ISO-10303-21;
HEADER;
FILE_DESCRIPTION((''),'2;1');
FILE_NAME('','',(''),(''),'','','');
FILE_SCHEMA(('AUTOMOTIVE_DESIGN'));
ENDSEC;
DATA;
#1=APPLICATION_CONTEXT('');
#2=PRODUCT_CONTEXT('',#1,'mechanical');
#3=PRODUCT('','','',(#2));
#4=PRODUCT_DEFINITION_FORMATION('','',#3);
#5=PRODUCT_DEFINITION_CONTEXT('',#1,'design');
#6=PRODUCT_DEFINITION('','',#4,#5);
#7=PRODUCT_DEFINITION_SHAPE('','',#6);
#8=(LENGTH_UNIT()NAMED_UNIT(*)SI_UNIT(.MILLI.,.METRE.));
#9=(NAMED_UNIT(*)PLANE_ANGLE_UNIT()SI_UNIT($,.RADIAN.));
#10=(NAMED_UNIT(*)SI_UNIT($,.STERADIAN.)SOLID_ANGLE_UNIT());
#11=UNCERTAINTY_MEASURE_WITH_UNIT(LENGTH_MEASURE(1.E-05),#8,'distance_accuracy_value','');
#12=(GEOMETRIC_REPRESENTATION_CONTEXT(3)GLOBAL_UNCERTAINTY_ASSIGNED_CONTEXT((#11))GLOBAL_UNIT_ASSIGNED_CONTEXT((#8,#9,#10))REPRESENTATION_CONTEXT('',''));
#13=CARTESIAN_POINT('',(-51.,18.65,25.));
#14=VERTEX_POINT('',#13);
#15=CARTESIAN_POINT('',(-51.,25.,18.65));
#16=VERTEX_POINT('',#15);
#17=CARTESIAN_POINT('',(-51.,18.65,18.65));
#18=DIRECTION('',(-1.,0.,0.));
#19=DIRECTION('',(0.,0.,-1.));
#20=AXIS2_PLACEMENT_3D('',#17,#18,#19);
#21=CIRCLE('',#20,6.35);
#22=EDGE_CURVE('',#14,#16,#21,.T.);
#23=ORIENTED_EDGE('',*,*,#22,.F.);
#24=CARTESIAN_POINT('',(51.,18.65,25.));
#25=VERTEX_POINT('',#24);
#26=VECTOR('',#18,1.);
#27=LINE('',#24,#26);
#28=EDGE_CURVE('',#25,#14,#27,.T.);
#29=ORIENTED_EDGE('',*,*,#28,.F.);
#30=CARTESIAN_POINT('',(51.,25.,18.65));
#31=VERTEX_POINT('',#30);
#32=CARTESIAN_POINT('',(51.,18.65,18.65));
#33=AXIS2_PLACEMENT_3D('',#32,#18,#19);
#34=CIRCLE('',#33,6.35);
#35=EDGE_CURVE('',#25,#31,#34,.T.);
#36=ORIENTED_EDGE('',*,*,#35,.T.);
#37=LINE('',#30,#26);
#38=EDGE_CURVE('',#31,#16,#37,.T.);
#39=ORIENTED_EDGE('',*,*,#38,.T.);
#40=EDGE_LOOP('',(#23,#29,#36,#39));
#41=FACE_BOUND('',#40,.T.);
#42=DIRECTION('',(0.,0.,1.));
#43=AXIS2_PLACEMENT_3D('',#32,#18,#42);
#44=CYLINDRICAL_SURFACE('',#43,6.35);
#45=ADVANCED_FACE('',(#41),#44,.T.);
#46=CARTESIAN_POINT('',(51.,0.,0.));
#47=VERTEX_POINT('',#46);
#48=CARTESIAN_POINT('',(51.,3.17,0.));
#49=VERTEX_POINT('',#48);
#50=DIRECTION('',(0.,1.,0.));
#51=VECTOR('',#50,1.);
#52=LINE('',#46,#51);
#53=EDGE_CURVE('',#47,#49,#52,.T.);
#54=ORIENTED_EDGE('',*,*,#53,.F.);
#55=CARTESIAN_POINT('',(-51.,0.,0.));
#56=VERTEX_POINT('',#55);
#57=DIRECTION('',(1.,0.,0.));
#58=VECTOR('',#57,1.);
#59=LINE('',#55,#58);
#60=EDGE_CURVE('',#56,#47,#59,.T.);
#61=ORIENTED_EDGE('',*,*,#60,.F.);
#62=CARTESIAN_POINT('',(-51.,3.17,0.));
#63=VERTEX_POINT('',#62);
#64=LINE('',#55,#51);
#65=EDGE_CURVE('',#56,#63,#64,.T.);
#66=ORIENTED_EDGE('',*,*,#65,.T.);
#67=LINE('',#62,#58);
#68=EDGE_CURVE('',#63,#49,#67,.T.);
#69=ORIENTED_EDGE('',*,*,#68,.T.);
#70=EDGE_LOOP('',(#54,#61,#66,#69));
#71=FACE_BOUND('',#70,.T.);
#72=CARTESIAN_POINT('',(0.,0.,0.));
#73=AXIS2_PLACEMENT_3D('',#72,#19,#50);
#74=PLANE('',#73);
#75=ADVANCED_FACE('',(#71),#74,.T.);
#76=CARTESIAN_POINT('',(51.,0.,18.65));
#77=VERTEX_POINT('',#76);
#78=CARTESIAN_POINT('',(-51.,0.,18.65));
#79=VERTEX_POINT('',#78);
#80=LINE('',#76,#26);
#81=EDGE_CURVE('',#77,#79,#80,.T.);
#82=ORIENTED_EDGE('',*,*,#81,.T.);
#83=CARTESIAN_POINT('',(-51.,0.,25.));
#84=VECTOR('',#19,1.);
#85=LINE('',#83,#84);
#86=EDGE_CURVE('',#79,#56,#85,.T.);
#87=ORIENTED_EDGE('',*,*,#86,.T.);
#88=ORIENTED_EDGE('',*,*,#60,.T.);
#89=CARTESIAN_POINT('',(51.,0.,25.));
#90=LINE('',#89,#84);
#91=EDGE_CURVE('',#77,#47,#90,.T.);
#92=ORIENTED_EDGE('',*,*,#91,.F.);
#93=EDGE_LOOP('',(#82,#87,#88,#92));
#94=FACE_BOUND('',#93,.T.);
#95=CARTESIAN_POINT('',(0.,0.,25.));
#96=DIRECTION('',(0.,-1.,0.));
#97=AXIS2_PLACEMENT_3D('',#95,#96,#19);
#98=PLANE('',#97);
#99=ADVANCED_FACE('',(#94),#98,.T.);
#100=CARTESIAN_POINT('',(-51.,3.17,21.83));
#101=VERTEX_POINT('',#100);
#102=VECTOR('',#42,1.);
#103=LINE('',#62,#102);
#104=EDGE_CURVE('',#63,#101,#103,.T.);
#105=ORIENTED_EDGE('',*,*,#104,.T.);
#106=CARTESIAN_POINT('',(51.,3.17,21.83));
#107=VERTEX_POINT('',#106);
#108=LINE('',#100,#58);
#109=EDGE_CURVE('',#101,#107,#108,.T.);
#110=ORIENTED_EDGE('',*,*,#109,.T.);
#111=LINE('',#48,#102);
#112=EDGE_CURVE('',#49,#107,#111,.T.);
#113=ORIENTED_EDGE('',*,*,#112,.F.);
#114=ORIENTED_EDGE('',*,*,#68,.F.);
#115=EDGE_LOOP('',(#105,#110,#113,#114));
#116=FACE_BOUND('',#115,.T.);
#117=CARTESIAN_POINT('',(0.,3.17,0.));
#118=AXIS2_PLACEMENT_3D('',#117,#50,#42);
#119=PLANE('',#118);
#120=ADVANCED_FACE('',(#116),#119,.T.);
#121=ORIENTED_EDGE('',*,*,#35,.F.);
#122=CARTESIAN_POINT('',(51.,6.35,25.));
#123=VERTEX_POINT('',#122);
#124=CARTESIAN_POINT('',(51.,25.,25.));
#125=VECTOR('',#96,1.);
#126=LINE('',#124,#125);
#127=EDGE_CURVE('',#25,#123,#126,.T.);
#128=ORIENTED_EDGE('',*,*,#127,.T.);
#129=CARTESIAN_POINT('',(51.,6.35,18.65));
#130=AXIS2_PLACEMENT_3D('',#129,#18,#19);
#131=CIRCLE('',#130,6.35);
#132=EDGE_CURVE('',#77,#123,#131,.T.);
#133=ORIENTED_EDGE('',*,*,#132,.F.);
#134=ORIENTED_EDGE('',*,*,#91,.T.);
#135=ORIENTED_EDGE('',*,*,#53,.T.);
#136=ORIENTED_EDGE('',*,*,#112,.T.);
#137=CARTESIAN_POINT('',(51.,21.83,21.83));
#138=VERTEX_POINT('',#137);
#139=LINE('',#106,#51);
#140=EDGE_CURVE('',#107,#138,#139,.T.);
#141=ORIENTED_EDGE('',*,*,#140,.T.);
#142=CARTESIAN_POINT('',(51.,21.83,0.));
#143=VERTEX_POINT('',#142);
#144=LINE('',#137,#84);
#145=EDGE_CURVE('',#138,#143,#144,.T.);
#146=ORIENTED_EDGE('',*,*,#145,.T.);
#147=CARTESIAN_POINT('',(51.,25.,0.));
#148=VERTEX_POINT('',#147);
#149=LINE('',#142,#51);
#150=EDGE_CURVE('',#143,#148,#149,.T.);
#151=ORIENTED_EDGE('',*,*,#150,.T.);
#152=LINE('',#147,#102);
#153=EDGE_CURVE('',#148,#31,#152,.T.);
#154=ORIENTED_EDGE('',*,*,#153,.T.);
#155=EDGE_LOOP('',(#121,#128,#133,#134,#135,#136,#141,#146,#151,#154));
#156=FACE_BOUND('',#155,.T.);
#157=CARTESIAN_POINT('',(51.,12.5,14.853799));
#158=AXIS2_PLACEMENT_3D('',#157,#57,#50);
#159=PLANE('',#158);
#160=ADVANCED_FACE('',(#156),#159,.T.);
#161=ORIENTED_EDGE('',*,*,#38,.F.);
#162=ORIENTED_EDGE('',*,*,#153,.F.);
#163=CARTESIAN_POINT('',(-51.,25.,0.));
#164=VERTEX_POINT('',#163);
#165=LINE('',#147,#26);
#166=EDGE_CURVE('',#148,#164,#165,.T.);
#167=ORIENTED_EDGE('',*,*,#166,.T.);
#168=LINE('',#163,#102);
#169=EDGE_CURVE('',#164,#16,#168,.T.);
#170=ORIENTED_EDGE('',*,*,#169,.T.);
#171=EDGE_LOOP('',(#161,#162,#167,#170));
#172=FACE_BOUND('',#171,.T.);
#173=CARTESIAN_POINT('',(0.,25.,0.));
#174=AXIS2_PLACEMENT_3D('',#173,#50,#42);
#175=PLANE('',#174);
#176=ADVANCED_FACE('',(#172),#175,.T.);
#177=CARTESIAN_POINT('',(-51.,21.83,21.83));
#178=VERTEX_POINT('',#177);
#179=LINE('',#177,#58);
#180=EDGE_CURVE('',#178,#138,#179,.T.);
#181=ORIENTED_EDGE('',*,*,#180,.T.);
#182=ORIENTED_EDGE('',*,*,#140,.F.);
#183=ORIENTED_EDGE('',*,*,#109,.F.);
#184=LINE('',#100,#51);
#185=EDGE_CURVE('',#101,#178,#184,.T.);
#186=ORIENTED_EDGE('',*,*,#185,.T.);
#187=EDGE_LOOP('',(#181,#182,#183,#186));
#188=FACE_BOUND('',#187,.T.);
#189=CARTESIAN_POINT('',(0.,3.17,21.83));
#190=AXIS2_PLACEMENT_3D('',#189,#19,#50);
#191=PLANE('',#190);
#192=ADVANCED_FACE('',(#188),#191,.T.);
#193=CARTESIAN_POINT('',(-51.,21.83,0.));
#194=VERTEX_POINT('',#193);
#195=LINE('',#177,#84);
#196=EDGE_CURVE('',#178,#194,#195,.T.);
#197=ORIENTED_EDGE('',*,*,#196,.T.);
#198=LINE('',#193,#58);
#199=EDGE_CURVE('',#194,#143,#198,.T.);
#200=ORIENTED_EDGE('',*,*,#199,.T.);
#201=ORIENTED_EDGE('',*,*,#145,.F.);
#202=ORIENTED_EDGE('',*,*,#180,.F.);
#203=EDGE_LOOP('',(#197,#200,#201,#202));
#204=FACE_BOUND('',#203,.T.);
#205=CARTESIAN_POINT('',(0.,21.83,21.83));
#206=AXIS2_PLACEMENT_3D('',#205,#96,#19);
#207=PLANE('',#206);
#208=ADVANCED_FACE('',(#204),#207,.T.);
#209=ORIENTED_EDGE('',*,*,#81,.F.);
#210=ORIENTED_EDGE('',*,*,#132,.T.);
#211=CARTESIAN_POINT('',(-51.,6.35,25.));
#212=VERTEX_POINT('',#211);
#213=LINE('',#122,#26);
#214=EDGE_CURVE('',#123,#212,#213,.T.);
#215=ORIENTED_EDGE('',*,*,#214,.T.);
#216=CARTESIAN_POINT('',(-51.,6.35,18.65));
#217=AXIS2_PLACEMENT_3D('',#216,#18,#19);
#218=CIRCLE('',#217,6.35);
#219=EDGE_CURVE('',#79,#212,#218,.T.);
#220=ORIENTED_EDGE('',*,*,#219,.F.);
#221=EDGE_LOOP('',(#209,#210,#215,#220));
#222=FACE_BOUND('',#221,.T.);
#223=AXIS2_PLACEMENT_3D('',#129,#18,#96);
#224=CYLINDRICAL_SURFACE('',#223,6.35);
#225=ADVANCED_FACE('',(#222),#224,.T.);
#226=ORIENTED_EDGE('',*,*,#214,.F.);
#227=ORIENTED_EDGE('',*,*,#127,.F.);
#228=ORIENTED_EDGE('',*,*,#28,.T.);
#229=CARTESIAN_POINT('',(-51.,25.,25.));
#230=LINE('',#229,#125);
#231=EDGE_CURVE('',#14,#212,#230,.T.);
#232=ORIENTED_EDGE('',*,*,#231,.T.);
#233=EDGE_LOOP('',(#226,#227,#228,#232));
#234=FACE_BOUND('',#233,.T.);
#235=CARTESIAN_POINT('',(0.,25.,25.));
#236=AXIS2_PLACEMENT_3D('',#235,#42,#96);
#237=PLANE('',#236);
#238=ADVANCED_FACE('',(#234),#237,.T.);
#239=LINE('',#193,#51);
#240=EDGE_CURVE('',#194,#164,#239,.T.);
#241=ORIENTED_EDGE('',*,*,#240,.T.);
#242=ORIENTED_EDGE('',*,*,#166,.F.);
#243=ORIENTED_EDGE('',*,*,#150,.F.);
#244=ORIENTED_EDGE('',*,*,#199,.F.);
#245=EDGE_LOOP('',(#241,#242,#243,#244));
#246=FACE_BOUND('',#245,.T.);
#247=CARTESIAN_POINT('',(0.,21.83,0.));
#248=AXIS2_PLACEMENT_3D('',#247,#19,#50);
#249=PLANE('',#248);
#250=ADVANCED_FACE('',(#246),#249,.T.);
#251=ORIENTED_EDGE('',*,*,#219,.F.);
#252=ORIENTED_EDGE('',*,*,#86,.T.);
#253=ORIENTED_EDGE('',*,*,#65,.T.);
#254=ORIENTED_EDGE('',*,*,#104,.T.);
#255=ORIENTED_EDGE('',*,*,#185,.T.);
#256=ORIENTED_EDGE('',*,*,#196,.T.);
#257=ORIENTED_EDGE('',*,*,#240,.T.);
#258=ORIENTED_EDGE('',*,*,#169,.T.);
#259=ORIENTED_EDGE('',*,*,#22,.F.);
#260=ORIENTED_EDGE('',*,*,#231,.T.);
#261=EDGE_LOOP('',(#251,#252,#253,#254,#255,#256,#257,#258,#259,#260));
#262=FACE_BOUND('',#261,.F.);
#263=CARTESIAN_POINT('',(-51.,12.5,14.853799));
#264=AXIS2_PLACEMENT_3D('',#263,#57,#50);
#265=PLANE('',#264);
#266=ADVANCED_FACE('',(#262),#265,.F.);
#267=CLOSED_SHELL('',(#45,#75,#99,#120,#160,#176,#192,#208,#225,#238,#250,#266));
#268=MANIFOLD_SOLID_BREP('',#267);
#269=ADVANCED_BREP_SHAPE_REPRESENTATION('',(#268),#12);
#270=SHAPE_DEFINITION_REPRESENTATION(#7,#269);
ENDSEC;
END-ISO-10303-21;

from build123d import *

# Parameters (mm, degrees)
F1_DEPTH = 51
F2_R     = 6.35


with BuildPart() as f1:
    # F0 (on Right) → F1 (new body, symmetric)
    with BuildSketch(Plane.YZ):
        Polygon((0, 25), (0, 0), (3.17, 0), (3.17, 21.83), (21.83, 21.83), (21.83, 0), (25, 0), (25, 25), align=None)
    extrude(amount=F1_DEPTH, both=True)

    # F2
    f2_edges = [f1.edges().sort_by_distance(p)[0] for p in [
        (0, 25, 25),
        (0, 0, 25),
    ]]
    fillet(f2_edges, radius=F2_R)


solid = f1.part
